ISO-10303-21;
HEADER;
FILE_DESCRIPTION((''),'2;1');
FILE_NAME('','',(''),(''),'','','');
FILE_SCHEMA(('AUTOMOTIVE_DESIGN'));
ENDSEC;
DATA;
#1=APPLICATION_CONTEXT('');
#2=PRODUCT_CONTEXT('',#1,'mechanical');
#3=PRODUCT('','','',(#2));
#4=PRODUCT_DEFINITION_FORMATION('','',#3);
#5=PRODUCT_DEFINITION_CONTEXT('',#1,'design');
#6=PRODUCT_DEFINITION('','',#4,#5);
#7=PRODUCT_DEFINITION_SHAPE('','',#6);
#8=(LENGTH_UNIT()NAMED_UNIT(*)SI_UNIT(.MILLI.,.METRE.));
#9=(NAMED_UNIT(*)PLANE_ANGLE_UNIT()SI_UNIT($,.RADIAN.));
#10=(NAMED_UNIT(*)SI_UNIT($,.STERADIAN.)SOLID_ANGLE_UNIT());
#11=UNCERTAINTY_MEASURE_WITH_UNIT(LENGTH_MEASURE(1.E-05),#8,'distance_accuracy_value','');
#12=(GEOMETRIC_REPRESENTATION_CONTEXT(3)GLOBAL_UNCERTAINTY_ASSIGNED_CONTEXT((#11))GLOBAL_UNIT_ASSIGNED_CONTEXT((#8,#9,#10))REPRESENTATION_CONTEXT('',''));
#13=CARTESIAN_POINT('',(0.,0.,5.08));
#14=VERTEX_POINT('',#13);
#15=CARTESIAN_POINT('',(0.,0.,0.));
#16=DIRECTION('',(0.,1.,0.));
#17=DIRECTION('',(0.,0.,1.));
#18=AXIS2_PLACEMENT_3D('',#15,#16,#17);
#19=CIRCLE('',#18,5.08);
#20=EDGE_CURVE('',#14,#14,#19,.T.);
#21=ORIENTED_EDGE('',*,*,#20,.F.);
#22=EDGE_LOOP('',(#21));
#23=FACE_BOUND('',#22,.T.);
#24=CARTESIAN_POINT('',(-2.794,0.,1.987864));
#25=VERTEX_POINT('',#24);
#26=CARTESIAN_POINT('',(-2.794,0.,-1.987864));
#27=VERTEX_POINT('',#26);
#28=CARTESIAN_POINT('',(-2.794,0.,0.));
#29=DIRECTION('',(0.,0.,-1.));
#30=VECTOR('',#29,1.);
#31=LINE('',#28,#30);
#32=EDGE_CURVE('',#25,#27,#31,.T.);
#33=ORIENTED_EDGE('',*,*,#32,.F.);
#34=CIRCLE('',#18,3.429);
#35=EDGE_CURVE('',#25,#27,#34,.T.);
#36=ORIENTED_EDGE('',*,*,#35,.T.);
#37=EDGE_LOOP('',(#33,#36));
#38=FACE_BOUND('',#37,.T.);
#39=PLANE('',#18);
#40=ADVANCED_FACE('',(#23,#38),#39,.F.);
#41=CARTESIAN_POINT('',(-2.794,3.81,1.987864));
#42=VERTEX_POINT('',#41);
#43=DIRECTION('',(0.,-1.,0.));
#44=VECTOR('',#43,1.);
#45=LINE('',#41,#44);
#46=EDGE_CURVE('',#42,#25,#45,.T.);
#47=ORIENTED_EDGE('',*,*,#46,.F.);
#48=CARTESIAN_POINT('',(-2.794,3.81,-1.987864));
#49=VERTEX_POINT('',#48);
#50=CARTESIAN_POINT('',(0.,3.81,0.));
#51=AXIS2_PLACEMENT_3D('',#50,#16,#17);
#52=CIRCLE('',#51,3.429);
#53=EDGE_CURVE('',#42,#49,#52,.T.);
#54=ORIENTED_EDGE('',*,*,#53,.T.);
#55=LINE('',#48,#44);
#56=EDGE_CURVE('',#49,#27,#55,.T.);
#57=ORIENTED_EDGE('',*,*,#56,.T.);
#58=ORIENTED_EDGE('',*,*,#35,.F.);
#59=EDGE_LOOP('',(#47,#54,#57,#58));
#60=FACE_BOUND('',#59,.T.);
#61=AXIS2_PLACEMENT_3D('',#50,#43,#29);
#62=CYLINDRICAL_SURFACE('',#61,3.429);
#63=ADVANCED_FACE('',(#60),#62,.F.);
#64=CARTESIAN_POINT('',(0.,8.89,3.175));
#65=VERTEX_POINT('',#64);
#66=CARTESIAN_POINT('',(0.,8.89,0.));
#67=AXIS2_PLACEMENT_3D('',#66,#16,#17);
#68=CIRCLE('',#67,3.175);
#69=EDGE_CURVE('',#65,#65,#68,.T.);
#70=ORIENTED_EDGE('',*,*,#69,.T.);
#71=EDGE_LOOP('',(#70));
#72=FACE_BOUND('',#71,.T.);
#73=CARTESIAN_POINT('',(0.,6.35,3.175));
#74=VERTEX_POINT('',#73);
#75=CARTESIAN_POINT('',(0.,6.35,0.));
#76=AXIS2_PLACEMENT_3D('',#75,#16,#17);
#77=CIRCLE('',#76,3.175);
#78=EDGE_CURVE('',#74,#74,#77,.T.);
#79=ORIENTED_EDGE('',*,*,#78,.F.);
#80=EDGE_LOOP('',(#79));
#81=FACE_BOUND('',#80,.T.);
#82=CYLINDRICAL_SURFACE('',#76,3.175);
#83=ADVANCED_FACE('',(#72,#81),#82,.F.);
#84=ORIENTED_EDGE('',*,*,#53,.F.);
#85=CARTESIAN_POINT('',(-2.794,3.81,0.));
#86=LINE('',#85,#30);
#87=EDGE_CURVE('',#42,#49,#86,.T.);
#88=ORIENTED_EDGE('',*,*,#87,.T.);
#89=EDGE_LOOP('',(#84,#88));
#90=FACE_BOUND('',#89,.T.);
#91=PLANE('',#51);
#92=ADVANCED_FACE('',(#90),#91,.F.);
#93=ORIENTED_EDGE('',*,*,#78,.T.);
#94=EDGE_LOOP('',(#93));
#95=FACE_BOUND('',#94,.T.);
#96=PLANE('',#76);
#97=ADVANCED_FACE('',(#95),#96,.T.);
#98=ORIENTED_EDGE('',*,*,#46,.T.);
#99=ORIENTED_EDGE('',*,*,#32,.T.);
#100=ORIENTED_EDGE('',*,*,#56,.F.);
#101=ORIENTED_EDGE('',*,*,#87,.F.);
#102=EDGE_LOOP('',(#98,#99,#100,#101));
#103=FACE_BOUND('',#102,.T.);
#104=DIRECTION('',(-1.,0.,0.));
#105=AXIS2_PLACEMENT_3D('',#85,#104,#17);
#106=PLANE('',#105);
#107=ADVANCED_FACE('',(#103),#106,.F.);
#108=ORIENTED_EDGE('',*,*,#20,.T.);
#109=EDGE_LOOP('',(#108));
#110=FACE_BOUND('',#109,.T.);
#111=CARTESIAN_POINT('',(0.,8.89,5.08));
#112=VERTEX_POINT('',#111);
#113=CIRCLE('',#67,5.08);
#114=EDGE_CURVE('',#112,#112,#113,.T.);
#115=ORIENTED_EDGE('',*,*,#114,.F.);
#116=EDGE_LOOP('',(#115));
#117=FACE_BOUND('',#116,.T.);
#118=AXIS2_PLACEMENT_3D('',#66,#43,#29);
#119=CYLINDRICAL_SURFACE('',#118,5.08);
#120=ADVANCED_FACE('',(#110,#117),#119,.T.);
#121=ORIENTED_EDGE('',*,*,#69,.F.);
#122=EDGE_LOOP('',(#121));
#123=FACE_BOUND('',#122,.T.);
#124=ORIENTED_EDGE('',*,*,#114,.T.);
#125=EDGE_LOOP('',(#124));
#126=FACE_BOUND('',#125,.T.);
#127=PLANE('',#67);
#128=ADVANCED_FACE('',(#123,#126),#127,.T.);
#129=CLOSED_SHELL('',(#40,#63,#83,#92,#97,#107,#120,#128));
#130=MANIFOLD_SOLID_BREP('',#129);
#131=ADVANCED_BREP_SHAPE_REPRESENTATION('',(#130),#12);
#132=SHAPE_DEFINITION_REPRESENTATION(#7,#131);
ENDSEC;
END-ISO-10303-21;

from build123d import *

# Parameters (mm, degrees)
SKETCH1_R           = 5.08
BOSS_EXTRUDE1_DEPTH = 8.89
CUT_EXTRUDE1_DEPTH  = 3.81
SKETCH3_R           = 3.175
CUT_EXTRUDE2_DEPTH  = 2.54


with BuildPart() as part:
    # Sketch1 → Boss-Extrude1 (new body)
    with BuildSketch(Plane(origin=(0, 0, 0), x_dir=(1, 0, 0), z_dir=(0, 1, 0))):
        Circle(SKETCH1_R)
    extrude(amount=BOSS_EXTRUDE1_DEPTH)

    # Sketch2 → Cut-Extrude1 (cut)
    with BuildSketch(Plane(origin=(0, 0, 0), x_dir=(1, 0, 0), z_dir=(0, 1, 0))):
        with BuildLine():
            Line((-2.794, 1.987864432), (-2.794, -1.987864432))
            ThreePointArc((-2.794, -1.987864432), (1.043411472, -3.266394572), (3.429, 0))
            ThreePointArc((3.429, 0), (1.043411472, 3.266394572), (-2.794, 1.987864432))
        make_face()
    extrude(amount=CUT_EXTRUDE1_DEPTH, mode=Mode.SUBTRACT)

    # Sketch3 → Cut-Extrude2 (cut)
    with BuildSketch(Plane(origin=(0, 8.89, 0), x_dir=(1, 0, 0), z_dir=(0, 1, 0))):
        Circle(SKETCH3_R)
    extrude(amount=-CUT_EXTRUDE2_DEPTH, mode=Mode.SUBTRACT)


solid = part.part
